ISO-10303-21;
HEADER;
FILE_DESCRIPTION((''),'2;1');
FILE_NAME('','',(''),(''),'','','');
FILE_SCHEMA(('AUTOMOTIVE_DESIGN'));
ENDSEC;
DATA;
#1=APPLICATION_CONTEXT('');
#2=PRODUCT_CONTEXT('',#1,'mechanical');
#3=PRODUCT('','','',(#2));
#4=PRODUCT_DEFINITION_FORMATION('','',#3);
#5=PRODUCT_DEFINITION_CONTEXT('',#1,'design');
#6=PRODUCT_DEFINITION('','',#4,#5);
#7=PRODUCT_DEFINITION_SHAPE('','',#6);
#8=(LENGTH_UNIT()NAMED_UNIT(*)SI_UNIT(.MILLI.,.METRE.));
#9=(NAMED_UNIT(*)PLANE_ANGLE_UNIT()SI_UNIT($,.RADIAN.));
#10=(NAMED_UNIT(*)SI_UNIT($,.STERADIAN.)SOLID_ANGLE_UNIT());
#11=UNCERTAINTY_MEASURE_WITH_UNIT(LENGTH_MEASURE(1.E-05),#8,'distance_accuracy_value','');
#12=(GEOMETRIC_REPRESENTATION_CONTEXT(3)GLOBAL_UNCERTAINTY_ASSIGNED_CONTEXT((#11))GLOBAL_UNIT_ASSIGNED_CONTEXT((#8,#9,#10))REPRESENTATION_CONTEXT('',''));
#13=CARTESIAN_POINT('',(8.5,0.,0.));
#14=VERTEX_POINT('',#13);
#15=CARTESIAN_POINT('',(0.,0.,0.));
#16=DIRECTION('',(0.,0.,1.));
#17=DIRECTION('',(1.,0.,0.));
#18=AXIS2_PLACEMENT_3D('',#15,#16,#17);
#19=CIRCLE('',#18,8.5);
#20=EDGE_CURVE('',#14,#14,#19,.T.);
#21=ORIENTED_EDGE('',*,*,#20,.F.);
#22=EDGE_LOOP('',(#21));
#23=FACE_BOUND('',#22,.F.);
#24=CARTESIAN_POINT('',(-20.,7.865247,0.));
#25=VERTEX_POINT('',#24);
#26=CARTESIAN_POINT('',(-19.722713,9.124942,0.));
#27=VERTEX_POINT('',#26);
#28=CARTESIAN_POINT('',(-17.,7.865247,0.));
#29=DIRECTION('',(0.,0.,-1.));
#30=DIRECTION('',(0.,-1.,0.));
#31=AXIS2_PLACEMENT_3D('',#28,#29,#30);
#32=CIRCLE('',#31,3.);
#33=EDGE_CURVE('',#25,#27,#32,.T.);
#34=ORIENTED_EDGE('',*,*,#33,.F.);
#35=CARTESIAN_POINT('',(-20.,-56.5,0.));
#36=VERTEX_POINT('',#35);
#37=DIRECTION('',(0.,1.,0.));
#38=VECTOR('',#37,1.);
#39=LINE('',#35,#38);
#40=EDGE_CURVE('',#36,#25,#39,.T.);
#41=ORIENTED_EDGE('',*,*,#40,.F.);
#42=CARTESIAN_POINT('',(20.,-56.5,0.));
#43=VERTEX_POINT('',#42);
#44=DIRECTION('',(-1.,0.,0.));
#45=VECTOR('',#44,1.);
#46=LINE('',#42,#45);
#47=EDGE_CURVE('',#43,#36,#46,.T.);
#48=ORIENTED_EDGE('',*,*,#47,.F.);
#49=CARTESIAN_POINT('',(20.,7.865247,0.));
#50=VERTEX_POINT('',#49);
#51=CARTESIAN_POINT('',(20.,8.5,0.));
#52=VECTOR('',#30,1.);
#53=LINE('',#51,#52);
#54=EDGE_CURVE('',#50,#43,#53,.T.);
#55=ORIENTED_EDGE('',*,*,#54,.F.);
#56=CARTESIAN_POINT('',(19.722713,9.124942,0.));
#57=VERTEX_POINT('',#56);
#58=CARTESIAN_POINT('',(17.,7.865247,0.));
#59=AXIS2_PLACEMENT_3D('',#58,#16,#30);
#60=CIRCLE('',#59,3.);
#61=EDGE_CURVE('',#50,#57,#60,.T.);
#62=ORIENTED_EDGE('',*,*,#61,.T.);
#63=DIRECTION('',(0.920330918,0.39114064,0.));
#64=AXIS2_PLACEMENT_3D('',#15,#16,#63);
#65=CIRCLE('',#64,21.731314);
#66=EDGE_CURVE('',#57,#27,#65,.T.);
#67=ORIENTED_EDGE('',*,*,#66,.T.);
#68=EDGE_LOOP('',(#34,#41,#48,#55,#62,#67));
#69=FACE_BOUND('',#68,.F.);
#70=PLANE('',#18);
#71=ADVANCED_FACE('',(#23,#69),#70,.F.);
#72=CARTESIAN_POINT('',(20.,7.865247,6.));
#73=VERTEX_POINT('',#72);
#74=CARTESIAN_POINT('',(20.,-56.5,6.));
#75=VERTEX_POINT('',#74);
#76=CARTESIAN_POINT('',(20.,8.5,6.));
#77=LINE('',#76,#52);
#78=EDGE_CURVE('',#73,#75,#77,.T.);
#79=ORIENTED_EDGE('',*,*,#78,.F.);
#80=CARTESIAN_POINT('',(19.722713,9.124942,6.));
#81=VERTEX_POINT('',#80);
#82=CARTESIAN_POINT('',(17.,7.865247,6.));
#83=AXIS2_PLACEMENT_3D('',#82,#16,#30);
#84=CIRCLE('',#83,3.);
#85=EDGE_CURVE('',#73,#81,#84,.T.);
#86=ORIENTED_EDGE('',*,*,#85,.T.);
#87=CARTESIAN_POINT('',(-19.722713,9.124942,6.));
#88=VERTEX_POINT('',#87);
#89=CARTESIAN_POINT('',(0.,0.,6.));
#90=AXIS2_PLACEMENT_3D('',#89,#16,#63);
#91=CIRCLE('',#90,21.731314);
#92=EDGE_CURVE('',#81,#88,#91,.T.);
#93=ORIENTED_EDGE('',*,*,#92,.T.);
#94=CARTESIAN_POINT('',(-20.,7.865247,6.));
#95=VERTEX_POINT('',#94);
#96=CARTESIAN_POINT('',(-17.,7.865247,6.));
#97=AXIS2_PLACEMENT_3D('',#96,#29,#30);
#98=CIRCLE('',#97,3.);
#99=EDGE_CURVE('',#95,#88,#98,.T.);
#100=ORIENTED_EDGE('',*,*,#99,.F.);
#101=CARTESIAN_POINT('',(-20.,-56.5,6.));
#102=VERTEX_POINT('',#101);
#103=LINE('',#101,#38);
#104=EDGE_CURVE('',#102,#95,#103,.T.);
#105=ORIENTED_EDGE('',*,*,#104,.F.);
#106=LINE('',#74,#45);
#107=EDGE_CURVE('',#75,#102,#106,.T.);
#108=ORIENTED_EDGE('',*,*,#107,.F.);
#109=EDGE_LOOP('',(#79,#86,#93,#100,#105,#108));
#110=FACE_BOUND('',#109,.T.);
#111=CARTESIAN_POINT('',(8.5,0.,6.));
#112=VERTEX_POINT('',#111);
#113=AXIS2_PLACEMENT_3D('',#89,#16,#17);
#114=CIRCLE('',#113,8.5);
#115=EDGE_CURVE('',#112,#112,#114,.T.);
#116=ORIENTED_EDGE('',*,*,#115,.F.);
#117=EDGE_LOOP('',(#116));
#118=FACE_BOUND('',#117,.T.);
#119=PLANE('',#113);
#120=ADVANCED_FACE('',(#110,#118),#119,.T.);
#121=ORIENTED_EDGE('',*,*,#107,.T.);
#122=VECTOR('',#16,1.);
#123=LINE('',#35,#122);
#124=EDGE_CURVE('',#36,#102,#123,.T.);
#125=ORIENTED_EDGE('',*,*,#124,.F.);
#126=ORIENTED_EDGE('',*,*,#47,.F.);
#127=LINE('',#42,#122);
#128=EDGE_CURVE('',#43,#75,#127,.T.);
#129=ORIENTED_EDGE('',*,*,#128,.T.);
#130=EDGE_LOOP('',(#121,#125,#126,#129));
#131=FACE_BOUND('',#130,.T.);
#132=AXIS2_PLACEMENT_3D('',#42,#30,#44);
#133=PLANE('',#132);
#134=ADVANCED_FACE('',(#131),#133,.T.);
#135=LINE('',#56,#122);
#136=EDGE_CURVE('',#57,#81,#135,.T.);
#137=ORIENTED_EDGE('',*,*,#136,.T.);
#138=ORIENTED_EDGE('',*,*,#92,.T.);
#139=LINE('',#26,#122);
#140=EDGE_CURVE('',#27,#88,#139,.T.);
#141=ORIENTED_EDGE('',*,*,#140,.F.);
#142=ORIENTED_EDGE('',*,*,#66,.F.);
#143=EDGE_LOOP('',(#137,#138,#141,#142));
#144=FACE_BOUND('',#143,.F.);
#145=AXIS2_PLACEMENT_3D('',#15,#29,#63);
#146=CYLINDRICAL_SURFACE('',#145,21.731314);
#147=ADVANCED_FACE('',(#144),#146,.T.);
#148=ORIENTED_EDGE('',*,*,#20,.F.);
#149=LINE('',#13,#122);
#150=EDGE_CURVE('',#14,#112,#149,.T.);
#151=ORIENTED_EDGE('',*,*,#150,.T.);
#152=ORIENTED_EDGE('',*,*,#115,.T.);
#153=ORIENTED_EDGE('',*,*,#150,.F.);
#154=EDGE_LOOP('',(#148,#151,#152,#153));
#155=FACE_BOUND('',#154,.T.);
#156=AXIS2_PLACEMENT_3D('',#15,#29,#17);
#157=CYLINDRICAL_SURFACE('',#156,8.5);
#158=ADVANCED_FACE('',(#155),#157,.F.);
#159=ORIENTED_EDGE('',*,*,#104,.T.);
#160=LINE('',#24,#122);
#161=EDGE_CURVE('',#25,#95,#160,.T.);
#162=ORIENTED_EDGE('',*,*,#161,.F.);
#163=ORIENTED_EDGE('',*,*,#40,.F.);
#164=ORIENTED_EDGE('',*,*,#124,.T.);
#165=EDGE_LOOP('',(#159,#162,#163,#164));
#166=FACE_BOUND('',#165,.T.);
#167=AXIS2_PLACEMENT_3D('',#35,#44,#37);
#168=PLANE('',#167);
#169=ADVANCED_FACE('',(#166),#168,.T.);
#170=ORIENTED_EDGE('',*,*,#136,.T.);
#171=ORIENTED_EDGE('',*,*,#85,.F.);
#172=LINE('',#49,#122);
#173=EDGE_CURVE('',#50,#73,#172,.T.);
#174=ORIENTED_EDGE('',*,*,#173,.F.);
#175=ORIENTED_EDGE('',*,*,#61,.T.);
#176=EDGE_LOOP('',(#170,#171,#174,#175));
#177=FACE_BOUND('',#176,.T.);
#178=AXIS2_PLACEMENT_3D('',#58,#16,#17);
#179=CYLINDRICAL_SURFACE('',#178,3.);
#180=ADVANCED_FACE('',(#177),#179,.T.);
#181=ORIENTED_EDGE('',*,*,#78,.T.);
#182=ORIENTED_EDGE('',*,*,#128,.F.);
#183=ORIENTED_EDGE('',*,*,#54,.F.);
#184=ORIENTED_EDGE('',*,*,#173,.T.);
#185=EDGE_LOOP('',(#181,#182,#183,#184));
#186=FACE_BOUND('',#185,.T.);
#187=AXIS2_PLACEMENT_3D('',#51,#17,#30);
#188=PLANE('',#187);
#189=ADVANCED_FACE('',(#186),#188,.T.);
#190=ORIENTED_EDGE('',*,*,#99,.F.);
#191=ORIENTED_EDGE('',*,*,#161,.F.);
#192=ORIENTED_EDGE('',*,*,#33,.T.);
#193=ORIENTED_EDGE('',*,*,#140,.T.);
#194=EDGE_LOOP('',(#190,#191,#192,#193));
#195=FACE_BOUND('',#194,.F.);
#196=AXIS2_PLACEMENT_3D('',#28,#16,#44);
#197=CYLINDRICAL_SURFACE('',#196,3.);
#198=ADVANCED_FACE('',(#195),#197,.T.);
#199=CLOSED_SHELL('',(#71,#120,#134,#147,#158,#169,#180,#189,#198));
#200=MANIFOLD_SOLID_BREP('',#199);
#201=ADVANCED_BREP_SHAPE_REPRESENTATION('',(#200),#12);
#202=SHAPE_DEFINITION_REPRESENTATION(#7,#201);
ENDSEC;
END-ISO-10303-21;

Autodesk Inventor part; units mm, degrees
ref_plane "YZ Plane" through (0, 0, 0) normal (1, 0, 0) x (0, 1, 0)
ref_plane "XZ Plane" through (0, 0, 0) normal (0, 1, 0) x (-1, 0, 0)
ref_plane "XY Plane" through (0, 0, 0) normal (0, 0, 1) x (1, 0, 0)
sketch "Sketch1" plane through (0, 0, 0) normal (0, 0, 1) x (1, 0, 0)
  circle A0 centre (0, 0) radius 8.5
  line L0 (20, 8.5) -> (20, -56.5)
  line L1 (20, -56.5) -> (-20, -56.5)
  line L2 (-20, -56.5) -> (-20, 8.5)
  arc A1 (20, 8.5) -> (-20, 8.5) centre (0, 0) ccw
  point P0 (0, 8.5)
  dimension "d0" = 17
  dimension "d1" = 65
  dimension "d3" = 20
  dimension "d4" = 8.5
extrude "Extrusion1" add sketch "Sketch1" along normal blind 6
fillet "Fillet1" radius 3 2 edges at (20, 8.5, 3) (-20, 8.5, 3)
properties part number "mdf_support"
